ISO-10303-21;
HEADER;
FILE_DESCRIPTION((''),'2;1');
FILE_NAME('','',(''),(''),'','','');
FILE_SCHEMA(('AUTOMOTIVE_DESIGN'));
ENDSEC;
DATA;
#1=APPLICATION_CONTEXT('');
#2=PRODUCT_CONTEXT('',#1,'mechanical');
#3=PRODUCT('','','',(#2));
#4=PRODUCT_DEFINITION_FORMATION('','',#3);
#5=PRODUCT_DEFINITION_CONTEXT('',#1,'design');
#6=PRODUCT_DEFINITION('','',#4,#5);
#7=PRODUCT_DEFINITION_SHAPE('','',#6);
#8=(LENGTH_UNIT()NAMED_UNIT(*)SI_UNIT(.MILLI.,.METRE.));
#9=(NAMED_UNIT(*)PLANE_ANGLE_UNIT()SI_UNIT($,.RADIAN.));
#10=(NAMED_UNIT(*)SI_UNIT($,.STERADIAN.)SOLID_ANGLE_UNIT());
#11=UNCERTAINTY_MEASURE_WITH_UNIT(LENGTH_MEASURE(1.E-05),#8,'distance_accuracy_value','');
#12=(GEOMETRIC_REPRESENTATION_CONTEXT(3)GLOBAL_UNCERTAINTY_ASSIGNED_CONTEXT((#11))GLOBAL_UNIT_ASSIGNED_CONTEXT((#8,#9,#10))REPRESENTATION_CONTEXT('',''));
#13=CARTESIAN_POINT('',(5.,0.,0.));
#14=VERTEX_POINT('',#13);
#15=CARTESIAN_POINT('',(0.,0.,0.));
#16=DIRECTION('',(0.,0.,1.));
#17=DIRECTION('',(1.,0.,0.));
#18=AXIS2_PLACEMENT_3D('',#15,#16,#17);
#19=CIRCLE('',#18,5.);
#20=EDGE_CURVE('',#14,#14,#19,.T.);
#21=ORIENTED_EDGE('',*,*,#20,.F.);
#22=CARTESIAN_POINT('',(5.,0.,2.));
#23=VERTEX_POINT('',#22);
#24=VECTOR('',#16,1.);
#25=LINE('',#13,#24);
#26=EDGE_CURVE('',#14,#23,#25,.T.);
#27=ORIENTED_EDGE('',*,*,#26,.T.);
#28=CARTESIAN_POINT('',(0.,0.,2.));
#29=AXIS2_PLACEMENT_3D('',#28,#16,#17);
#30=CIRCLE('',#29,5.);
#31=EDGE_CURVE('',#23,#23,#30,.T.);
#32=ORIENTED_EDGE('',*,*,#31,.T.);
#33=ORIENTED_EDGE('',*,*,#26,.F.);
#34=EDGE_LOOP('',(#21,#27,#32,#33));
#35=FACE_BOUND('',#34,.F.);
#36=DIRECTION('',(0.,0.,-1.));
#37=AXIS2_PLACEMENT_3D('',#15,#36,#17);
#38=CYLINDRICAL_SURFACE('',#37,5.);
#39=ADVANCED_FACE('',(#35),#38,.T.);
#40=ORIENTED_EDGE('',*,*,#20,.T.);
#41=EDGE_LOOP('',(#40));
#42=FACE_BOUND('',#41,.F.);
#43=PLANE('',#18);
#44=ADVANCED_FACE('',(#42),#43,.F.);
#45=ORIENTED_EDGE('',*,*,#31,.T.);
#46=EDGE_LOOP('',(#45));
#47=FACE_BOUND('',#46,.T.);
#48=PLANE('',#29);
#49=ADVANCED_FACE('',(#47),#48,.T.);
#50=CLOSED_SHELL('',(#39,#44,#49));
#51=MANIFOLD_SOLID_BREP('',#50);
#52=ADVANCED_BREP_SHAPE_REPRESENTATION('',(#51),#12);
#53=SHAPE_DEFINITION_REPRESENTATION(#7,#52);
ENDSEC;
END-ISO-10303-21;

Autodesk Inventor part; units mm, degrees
ref_plane "YZ Plane" through (0, 0, 0) normal (1, 0, 0) x (0, 1, 0)
ref_plane "XZ Plane" through (0, 0, 0) normal (0, 1, 0) x (-1, 0, 0)
ref_plane "XY Plane" through (0, 0, 0) normal (0, 0, 1) x (1, 0, 0)
sketch "Sketch1" plane through (0, 0, 0) normal (0, 0, 1) x (1, 0, 0)
  circle A0 centre (0, 0) radius 5
  dimension "d0" = 10
extrude "Extrusion1" add sketch "Sketch1" along normal blind 2
properties part number "00_COMAR_Mirror_10mm"
